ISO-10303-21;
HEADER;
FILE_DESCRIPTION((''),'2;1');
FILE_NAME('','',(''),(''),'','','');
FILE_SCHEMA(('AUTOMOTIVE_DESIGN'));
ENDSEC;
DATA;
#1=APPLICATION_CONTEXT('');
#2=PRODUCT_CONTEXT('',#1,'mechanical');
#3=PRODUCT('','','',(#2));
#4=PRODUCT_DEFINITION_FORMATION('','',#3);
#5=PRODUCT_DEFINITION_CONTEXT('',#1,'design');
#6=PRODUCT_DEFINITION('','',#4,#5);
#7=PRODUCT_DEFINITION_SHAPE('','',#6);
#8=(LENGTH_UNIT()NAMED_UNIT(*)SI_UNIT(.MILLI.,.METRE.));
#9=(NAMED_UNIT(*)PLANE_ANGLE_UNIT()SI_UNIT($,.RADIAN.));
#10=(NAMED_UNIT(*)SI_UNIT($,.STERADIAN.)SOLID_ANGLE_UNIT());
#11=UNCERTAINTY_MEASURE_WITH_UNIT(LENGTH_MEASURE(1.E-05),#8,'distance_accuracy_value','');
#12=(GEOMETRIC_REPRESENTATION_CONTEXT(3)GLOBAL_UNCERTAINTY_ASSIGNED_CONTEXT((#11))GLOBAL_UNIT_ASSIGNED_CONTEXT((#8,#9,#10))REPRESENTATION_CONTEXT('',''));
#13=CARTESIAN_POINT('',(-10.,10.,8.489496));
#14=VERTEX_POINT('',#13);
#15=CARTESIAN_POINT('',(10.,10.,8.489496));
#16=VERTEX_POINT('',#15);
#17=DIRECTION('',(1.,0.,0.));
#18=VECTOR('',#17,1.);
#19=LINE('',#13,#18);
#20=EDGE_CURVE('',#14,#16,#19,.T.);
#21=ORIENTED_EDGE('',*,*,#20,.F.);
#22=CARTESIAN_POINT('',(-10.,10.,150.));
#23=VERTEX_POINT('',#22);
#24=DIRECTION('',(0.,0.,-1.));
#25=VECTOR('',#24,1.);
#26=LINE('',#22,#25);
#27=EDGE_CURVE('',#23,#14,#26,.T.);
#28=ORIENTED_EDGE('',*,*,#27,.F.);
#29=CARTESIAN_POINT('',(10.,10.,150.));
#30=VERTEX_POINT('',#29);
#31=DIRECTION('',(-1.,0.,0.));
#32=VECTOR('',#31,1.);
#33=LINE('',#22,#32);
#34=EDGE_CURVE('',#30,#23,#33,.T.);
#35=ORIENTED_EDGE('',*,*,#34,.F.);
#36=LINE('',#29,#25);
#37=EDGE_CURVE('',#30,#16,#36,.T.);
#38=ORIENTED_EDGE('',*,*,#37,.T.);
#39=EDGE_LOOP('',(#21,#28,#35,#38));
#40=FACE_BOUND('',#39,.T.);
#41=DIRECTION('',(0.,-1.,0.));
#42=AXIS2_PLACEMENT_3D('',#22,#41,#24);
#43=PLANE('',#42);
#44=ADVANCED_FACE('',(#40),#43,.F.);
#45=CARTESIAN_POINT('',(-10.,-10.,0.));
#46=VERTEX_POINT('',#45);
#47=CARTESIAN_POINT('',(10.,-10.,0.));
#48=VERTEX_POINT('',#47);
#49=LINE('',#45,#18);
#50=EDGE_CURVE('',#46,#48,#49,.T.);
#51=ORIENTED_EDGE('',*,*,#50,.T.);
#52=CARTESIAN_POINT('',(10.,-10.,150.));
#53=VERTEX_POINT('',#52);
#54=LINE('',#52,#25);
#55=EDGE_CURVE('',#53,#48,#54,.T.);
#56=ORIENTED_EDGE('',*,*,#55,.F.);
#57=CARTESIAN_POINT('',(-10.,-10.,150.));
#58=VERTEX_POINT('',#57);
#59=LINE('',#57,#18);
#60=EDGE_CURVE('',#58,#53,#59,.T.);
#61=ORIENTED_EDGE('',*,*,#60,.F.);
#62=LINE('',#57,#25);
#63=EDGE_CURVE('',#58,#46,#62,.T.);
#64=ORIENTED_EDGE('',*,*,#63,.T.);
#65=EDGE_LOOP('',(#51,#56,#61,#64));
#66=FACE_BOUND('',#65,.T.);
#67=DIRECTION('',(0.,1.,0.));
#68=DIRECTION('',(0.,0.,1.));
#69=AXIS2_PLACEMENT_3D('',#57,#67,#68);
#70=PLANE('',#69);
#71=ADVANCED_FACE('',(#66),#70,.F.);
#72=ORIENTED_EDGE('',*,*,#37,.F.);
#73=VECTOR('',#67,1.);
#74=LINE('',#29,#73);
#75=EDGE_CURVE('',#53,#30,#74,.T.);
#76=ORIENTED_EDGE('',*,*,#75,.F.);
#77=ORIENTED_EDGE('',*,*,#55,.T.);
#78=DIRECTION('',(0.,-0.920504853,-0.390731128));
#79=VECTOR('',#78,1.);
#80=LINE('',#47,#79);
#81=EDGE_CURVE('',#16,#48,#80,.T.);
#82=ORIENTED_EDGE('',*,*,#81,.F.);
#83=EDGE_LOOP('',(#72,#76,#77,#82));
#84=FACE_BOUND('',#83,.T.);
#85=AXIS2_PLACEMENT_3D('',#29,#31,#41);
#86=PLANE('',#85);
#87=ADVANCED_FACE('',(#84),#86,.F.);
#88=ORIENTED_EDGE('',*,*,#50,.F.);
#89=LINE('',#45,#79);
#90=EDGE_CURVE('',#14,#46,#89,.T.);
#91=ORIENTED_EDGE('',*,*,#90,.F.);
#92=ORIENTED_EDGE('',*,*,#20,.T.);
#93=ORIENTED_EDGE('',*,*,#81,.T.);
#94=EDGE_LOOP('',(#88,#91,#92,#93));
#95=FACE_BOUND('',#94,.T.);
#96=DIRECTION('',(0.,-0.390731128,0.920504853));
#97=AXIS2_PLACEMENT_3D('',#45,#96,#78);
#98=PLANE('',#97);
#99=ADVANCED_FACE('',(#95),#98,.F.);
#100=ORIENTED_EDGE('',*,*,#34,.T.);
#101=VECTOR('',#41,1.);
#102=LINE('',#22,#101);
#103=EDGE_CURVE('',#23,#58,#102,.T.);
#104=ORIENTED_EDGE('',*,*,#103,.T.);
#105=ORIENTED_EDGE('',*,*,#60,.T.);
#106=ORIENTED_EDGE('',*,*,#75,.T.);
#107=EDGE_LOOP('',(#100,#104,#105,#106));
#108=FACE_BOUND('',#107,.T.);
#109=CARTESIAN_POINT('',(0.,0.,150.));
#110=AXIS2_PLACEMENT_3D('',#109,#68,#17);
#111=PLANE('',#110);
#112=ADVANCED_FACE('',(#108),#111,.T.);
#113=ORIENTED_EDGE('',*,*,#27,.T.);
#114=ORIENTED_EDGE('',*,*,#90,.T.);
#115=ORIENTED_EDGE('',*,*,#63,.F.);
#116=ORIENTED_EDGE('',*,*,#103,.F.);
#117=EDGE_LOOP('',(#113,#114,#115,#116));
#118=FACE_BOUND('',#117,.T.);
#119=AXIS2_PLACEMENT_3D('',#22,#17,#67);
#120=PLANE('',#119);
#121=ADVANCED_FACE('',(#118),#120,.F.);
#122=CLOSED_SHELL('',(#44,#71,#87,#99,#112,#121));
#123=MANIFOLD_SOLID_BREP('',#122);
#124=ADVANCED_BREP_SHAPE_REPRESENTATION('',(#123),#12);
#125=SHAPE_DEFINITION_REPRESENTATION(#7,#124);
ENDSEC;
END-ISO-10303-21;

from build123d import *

# Parameters (mm, degrees)
SKETCH1_W           = 20
SKETCH1_H           = 20
BOSS_EXTRUDE1_DEPTH = 150
CUT_EXTRUDE1_DEPTH  = 152.657508881


with BuildPart() as part:
    # Sketch1 → Boss-Extrude1 (new body)
    with BuildSketch(Plane.XY):
        Rectangle(SKETCH1_W, SKETCH1_H)
    extrude(amount=BOSS_EXTRUDE1_DEPTH)

    # Sketch2 → Cut-Extrude1 (cut, through all)
    with BuildSketch(Plane(origin=(10, 0, 0), x_dir=(0, 0, -1), z_dir=(1, 0, 0))):
        Polygon((0, -10), (-8.489496324, 10), (0, 10), align=None)
    extrude(amount=-CUT_EXTRUDE1_DEPTH, mode=Mode.SUBTRACT)


solid = part.part
